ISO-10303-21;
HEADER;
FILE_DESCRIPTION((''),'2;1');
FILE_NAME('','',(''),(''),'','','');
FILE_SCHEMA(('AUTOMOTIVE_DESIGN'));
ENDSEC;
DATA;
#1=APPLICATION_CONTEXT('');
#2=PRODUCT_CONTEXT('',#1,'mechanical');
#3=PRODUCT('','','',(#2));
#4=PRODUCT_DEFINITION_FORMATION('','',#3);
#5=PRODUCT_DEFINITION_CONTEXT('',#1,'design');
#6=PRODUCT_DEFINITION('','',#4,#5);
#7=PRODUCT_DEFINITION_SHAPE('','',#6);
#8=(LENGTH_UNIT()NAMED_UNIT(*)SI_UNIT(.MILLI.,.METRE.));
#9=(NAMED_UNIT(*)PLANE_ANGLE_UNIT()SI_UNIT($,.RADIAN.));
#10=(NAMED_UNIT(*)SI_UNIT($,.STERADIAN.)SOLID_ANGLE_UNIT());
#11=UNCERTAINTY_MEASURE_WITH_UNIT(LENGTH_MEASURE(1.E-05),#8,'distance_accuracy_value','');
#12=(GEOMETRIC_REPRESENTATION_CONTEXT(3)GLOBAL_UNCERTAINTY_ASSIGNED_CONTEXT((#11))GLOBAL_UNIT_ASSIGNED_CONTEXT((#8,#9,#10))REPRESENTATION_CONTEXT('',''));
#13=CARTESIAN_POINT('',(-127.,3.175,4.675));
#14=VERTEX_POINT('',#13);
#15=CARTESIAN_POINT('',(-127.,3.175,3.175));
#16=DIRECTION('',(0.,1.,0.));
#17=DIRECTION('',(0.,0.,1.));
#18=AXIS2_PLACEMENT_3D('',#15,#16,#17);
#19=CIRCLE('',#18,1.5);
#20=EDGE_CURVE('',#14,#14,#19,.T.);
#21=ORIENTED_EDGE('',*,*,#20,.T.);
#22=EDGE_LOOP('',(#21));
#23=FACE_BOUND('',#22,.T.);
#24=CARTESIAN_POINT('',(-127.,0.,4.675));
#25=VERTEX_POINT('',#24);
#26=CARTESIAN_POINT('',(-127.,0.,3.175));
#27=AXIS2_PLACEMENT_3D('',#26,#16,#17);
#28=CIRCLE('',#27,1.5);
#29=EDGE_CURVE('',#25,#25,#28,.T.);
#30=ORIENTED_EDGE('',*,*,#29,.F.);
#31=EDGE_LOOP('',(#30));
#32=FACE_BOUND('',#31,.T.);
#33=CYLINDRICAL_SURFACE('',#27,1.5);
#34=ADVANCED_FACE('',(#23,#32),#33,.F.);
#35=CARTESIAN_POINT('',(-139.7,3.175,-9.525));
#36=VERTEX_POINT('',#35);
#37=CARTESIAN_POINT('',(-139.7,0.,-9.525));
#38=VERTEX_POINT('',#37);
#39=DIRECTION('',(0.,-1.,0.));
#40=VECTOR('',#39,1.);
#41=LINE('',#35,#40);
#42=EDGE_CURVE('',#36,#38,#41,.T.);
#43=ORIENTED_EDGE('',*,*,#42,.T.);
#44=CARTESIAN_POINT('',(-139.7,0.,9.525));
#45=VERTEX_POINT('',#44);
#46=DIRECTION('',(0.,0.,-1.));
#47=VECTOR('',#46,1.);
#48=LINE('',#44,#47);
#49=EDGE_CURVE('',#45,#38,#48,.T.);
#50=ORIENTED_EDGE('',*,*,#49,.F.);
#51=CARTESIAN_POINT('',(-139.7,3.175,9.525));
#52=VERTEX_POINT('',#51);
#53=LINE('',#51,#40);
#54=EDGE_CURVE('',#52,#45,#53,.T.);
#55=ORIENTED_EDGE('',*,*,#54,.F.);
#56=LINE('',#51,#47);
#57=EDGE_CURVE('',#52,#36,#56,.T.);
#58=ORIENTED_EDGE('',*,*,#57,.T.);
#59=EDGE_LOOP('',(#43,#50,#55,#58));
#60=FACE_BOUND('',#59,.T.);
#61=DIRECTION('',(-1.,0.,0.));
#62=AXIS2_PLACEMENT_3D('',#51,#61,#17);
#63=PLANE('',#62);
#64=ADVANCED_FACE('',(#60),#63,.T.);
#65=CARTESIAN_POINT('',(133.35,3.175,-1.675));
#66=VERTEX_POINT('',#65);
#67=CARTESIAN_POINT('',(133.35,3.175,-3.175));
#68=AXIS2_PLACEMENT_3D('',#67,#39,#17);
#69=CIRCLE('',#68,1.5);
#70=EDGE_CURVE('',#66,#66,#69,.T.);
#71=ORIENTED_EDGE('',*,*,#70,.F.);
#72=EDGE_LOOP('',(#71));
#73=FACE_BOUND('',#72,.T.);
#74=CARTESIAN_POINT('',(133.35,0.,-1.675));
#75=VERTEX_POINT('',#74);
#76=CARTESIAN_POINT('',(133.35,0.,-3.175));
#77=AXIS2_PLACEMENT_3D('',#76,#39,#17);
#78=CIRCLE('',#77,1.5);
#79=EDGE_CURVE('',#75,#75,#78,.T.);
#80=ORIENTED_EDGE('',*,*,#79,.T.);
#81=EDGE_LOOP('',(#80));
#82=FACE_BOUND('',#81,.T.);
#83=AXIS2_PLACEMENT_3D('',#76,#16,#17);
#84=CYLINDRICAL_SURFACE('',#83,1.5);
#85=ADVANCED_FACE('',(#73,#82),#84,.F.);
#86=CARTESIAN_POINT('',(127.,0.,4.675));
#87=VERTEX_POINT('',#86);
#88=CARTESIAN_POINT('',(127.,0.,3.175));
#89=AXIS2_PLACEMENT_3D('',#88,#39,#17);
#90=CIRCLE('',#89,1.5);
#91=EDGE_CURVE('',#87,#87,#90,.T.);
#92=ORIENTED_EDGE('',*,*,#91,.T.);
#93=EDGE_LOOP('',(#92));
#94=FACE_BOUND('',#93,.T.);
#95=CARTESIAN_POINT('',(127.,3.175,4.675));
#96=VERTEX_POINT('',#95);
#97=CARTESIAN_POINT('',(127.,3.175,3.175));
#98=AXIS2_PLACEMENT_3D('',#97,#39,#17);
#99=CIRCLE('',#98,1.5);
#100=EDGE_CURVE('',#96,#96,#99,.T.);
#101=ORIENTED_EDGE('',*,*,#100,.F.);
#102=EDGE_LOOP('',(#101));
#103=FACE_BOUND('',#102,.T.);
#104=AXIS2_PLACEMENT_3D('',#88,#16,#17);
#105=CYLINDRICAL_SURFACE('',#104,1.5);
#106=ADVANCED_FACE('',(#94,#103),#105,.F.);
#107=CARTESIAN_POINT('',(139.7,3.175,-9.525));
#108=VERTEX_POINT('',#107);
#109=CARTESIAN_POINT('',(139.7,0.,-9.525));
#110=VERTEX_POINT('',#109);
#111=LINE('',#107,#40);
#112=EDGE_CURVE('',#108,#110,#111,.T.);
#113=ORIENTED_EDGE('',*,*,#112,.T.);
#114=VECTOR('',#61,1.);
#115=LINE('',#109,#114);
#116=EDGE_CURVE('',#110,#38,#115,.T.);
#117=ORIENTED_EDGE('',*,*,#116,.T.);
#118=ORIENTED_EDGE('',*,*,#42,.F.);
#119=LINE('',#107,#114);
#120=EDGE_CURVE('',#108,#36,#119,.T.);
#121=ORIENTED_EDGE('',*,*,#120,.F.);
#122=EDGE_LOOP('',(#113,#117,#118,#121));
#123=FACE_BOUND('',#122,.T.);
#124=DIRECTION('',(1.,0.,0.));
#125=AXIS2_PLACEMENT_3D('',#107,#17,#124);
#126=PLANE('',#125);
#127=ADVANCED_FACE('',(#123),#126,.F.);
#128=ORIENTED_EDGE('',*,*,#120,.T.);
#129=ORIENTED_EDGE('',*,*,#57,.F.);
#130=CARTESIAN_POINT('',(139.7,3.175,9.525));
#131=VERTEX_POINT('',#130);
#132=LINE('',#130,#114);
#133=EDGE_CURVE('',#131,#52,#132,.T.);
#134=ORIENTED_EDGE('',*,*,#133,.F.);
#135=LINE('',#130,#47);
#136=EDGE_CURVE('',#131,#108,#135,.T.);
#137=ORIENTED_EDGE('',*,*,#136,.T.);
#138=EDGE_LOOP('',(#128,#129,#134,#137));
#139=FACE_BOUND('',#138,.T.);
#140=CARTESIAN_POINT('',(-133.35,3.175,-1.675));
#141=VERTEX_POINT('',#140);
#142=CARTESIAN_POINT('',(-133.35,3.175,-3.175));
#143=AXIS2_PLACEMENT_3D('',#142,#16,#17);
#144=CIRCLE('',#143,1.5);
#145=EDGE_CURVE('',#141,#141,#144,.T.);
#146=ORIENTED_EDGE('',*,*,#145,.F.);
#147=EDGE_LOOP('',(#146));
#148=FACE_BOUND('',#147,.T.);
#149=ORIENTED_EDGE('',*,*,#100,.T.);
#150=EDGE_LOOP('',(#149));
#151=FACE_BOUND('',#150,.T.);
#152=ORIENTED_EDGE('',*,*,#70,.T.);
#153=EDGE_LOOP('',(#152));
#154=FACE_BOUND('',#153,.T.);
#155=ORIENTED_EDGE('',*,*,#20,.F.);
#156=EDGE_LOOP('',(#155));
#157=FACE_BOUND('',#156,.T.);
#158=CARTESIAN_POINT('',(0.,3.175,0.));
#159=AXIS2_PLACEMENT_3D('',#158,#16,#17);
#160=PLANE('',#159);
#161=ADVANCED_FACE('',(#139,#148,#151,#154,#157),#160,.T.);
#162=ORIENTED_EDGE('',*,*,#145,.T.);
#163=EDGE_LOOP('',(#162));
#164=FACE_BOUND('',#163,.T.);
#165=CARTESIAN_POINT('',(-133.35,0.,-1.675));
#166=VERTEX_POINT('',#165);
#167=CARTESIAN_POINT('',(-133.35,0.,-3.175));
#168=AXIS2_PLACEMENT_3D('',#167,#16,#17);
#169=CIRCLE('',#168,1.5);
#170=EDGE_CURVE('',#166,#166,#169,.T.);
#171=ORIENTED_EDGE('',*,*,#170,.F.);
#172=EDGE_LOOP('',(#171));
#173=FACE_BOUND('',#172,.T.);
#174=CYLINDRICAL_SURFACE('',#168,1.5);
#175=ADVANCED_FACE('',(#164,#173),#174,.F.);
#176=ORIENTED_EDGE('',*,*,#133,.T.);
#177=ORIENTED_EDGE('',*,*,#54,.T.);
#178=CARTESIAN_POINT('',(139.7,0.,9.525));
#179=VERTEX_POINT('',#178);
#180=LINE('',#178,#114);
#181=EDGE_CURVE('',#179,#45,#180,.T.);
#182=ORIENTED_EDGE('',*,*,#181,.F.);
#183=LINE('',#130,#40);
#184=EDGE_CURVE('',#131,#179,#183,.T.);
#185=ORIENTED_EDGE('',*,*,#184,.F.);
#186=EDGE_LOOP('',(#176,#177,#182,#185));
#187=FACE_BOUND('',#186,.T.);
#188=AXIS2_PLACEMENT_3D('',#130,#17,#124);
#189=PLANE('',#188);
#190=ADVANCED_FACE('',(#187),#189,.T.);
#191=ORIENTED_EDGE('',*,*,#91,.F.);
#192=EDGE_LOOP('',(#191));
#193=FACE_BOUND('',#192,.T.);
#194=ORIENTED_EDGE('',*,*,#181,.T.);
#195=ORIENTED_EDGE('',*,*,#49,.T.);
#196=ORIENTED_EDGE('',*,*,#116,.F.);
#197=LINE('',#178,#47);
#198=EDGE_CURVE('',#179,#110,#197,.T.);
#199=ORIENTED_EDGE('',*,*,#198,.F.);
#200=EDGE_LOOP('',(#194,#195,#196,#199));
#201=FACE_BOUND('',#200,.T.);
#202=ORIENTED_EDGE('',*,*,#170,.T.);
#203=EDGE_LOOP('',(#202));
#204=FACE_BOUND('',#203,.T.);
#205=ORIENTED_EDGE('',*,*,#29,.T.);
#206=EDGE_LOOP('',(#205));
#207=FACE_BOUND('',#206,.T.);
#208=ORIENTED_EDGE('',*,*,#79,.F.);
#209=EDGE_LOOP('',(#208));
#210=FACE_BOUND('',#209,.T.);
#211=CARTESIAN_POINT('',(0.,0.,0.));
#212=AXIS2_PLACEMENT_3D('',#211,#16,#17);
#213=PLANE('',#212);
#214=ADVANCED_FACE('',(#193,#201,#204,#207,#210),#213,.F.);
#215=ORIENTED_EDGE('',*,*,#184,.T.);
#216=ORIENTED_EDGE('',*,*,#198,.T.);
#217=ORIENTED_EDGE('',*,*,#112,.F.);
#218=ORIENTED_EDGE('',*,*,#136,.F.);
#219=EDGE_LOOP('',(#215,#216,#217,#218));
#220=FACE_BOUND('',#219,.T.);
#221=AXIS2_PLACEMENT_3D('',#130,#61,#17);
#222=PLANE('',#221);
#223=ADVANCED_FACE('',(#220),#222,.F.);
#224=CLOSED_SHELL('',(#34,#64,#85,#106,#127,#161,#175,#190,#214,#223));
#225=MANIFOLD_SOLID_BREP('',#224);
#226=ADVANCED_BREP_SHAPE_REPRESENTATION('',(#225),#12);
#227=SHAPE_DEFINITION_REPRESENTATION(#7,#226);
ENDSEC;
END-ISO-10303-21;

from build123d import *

# Parameters (mm, degrees)
SKETCH1_W           = 279.4
SKETCH1_H           = 19.05
BOSS_EXTRUDE1_DEPTH = 3.175
SKETCH4_R           = 1.5
CUT_EXTRUDE2_DEPTH  = 141.060330751


with BuildPart() as part:
    # Sketch1 → Boss-Extrude1 (new body)
    with BuildSketch(Plane(origin=(0, 0, 0), x_dir=(1, 0, 0), z_dir=(0, 1, 0))):
        Rectangle(SKETCH1_W, SKETCH1_H)
    extrude(amount=BOSS_EXTRUDE1_DEPTH)

    # Sketch4 → Cut-Extrude2 (cut, through all)
    with BuildSketch(Plane(origin=(0, 3.175, 0), x_dir=(1, 0, 0), z_dir=(0, 1, 0))):
        with Locations(Location((-133.35, 3.175, 0), (0, 0, 270))):
            Circle(SKETCH4_R)
        with Locations(Location((-127, -3.175, 0), (0, 0, 270))):
            Circle(SKETCH4_R)
    cut_extrude2 = extrude(amount=-CUT_EXTRUDE2_DEPTH, mode=Mode.SUBTRACT)

    # Mirror1: Cut-Extrude2 across plane
    add(cut_extrude2.mirror(Plane(origin=(0, 0, 0), x_dir=(0, 0, 1), z_dir=(1, 0, 0))), mode=Mode.SUBTRACT)


solid = part.part
